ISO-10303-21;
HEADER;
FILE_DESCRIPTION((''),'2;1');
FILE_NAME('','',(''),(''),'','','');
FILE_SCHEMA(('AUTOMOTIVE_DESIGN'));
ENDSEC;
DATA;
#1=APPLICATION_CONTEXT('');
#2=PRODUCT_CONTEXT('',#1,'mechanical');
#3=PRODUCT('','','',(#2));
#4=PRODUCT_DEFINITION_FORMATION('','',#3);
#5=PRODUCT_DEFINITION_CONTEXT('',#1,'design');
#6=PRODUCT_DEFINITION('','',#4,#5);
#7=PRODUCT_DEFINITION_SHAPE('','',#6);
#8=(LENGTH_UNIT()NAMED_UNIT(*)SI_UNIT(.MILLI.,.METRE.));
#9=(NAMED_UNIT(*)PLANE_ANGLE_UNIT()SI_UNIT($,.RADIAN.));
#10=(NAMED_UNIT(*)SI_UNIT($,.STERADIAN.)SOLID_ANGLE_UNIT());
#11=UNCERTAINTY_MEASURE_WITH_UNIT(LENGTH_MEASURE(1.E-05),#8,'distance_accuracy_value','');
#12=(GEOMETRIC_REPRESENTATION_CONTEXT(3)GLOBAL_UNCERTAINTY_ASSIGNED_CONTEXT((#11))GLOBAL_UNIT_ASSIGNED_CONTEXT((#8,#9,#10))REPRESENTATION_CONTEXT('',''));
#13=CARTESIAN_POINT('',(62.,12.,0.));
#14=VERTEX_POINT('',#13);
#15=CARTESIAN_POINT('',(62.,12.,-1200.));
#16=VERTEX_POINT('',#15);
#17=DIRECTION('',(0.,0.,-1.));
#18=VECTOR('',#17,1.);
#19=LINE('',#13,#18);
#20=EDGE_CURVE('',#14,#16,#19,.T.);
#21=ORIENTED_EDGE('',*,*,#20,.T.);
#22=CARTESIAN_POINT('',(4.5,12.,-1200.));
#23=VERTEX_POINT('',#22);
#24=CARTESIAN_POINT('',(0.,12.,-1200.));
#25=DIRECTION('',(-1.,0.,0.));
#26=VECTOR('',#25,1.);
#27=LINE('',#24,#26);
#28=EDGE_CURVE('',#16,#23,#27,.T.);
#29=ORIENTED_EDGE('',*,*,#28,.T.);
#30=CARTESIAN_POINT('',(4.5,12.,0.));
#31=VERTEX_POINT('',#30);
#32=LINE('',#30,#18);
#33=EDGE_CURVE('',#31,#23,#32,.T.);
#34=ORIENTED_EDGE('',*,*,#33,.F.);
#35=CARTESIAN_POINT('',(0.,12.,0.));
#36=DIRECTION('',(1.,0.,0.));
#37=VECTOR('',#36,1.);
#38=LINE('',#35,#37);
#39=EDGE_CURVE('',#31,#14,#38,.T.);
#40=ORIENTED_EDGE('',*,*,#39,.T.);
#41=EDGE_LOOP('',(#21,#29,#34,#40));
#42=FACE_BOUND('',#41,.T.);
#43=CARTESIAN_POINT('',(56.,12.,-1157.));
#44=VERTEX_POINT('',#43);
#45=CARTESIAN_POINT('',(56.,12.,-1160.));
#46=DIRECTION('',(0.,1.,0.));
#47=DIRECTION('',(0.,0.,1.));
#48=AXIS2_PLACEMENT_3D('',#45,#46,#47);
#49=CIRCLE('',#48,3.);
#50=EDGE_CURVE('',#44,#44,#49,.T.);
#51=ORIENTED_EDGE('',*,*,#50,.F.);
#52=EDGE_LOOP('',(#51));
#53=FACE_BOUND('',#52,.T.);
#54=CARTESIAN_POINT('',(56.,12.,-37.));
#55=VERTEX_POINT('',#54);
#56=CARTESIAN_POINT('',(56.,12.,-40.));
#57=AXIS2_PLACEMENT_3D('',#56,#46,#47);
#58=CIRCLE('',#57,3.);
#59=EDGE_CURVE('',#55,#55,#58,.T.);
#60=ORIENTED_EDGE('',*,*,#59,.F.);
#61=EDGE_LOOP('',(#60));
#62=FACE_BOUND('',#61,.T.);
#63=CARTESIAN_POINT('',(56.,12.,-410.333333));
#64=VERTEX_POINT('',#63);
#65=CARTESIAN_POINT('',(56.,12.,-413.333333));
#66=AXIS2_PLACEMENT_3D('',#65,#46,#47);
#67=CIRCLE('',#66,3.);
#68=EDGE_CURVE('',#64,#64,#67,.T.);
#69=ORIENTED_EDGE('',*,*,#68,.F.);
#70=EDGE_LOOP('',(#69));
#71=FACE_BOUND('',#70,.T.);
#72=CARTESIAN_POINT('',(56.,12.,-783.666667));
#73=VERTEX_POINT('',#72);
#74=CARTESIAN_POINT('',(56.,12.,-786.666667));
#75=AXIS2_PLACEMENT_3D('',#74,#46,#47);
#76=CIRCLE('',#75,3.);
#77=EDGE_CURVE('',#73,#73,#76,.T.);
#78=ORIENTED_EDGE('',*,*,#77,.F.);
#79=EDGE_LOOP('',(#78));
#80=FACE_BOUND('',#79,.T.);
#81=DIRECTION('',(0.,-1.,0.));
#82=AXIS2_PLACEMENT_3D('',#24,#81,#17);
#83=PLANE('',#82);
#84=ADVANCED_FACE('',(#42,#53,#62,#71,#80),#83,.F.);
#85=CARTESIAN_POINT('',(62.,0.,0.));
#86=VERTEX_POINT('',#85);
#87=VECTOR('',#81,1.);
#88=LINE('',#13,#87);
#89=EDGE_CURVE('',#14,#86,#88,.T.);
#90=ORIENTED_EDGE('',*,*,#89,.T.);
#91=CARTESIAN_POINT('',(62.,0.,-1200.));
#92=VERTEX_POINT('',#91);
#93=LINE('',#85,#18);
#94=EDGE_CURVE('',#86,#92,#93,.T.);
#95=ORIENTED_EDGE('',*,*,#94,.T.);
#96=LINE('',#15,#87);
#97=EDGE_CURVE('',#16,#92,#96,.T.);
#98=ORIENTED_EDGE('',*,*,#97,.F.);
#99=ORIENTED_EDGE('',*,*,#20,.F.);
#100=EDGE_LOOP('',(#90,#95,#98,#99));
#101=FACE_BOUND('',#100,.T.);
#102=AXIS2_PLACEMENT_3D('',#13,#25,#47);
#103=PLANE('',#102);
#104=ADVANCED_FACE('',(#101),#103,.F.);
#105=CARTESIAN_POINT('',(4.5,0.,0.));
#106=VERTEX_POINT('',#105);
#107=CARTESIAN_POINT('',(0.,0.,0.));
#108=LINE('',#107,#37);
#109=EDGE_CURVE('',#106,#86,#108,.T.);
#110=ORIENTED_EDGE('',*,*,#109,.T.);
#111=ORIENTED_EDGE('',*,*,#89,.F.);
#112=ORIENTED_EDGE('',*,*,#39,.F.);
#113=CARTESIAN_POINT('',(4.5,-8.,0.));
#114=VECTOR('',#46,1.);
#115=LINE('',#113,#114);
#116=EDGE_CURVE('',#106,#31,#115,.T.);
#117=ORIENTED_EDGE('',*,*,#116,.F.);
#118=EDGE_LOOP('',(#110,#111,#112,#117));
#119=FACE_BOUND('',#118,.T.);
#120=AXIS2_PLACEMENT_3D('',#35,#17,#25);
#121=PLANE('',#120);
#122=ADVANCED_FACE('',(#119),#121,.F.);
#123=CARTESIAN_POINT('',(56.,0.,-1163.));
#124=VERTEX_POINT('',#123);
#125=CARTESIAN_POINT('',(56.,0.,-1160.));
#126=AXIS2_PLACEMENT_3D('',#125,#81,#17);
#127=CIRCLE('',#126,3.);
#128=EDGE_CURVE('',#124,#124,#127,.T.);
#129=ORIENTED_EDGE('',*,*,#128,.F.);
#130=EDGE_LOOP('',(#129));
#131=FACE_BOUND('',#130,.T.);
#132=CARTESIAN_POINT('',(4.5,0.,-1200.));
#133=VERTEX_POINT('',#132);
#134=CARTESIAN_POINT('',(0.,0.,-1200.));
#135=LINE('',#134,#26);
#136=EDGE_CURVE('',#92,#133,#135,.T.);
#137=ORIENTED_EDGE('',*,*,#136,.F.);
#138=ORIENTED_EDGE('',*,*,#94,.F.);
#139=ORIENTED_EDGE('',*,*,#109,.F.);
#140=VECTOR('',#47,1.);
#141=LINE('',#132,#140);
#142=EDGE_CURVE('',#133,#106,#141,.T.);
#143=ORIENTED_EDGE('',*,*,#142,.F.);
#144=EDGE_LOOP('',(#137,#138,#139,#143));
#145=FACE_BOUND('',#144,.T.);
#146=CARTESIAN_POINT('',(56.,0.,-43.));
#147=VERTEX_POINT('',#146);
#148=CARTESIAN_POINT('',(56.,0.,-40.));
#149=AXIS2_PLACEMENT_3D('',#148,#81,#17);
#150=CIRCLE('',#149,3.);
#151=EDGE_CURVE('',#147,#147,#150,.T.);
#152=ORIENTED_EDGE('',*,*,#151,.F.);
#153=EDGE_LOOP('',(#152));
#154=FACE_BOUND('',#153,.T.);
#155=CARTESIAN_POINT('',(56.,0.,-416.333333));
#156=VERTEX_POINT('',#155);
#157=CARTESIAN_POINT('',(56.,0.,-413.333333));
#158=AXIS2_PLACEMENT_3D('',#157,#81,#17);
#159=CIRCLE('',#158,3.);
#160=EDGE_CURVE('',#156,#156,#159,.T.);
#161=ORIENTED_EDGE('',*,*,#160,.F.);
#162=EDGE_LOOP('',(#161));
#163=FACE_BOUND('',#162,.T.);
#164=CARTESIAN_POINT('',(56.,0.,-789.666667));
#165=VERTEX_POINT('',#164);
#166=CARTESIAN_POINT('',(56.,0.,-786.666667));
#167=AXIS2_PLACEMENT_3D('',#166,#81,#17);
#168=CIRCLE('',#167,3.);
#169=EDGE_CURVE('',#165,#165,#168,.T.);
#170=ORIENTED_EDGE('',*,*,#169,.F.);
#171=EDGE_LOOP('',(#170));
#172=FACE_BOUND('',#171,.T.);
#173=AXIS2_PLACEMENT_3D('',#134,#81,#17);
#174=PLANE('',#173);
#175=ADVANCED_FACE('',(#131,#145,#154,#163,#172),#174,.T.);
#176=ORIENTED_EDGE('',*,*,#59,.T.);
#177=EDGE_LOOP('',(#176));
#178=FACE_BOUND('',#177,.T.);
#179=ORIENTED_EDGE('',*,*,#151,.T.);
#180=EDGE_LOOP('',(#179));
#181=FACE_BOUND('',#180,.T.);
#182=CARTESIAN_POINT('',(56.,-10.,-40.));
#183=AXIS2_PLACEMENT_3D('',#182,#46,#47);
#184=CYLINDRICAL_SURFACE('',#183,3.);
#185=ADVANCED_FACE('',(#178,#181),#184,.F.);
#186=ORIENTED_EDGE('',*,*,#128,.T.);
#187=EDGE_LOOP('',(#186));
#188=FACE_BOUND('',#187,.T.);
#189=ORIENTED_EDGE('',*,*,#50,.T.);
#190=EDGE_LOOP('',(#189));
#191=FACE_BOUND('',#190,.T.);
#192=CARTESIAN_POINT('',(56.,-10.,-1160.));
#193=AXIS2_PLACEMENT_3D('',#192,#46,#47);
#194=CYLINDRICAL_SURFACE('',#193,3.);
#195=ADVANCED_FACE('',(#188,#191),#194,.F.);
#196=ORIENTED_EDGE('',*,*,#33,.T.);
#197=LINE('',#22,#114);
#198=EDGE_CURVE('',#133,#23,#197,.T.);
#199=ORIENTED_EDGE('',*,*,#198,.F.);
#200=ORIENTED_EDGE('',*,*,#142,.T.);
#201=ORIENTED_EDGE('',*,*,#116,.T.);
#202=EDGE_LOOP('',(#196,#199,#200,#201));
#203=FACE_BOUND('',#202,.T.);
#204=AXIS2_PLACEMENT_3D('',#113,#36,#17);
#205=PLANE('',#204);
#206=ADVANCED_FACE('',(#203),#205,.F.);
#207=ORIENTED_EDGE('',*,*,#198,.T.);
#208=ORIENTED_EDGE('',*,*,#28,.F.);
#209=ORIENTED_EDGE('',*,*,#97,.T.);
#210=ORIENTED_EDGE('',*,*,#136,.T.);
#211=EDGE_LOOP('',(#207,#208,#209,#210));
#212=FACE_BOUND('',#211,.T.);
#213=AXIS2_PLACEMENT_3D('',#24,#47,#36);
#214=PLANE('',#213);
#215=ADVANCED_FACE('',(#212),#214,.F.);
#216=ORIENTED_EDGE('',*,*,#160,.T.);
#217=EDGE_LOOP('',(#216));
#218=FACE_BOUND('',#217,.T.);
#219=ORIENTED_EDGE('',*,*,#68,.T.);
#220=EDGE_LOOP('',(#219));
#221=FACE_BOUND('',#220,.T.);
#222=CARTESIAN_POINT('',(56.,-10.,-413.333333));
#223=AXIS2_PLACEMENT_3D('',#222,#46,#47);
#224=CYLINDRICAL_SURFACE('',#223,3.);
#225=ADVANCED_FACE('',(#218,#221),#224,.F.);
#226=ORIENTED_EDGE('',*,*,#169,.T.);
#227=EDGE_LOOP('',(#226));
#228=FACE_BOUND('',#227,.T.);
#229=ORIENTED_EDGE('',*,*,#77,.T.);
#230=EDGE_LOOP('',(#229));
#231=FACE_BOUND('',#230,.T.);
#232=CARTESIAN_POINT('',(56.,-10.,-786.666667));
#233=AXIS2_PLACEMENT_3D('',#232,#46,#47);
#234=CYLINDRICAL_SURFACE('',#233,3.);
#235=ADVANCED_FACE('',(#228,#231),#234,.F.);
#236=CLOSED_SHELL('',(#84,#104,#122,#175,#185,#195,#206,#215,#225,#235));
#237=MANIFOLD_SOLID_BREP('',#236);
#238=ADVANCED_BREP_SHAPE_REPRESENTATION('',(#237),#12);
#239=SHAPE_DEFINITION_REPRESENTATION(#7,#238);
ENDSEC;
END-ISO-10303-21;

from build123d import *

# Parameters (mm, degrees)
SKETCH1_W           = 62
SKETCH1_H           = 1200
BOSS_EXTRUDE1_DEPTH = 12
SKETCH2_R           = 3
CUT_EXTRUDE1_DEPTH  = 22
SKETCH3_W           = 8.753853417
SKETCH3_H           = 1524
CUT_EXTRUDE2_DEPTH  = 20


with BuildPart() as part:
    # Sketch1 → Boss-Extrude1 (new body)
    with BuildSketch(Plane(origin=(0, 0, 0), x_dir=(1, 0, 0), z_dir=(0, 1, 0))):
        with Locations((31, 600)):
            Rectangle(SKETCH1_W, SKETCH1_H)
    extrude(amount=BOSS_EXTRUDE1_DEPTH)

    # Sketch2 → Cut-Extrude1 (cut)
    with BuildSketch(Plane(origin=(0, 12, 0), x_dir=(1, 0, 0), z_dir=(0, 1, 0))):
        with Locations((56, 40)):
            Circle(SKETCH2_R)
        with Locations((56, 413.333333333)):
            Circle(SKETCH2_R)
        with Locations((56, 786.666666667)):
            Circle(SKETCH2_R)
        with Locations((56, 1160)):
            Circle(SKETCH2_R)
    extrude(amount=-CUT_EXTRUDE1_DEPTH, mode=Mode.SUBTRACT)

    # Sketch3 → Cut-Extrude2 (cut)
    with BuildSketch(Plane(origin=(0, 12, 0), x_dir=(1, 0, 0), z_dir=(0, 1, 0))):
        with Locations((0.123073291, 762)):
            Rectangle(SKETCH3_W, SKETCH3_H)
    extrude(amount=-CUT_EXTRUDE2_DEPTH, mode=Mode.SUBTRACT)


solid = part.part
